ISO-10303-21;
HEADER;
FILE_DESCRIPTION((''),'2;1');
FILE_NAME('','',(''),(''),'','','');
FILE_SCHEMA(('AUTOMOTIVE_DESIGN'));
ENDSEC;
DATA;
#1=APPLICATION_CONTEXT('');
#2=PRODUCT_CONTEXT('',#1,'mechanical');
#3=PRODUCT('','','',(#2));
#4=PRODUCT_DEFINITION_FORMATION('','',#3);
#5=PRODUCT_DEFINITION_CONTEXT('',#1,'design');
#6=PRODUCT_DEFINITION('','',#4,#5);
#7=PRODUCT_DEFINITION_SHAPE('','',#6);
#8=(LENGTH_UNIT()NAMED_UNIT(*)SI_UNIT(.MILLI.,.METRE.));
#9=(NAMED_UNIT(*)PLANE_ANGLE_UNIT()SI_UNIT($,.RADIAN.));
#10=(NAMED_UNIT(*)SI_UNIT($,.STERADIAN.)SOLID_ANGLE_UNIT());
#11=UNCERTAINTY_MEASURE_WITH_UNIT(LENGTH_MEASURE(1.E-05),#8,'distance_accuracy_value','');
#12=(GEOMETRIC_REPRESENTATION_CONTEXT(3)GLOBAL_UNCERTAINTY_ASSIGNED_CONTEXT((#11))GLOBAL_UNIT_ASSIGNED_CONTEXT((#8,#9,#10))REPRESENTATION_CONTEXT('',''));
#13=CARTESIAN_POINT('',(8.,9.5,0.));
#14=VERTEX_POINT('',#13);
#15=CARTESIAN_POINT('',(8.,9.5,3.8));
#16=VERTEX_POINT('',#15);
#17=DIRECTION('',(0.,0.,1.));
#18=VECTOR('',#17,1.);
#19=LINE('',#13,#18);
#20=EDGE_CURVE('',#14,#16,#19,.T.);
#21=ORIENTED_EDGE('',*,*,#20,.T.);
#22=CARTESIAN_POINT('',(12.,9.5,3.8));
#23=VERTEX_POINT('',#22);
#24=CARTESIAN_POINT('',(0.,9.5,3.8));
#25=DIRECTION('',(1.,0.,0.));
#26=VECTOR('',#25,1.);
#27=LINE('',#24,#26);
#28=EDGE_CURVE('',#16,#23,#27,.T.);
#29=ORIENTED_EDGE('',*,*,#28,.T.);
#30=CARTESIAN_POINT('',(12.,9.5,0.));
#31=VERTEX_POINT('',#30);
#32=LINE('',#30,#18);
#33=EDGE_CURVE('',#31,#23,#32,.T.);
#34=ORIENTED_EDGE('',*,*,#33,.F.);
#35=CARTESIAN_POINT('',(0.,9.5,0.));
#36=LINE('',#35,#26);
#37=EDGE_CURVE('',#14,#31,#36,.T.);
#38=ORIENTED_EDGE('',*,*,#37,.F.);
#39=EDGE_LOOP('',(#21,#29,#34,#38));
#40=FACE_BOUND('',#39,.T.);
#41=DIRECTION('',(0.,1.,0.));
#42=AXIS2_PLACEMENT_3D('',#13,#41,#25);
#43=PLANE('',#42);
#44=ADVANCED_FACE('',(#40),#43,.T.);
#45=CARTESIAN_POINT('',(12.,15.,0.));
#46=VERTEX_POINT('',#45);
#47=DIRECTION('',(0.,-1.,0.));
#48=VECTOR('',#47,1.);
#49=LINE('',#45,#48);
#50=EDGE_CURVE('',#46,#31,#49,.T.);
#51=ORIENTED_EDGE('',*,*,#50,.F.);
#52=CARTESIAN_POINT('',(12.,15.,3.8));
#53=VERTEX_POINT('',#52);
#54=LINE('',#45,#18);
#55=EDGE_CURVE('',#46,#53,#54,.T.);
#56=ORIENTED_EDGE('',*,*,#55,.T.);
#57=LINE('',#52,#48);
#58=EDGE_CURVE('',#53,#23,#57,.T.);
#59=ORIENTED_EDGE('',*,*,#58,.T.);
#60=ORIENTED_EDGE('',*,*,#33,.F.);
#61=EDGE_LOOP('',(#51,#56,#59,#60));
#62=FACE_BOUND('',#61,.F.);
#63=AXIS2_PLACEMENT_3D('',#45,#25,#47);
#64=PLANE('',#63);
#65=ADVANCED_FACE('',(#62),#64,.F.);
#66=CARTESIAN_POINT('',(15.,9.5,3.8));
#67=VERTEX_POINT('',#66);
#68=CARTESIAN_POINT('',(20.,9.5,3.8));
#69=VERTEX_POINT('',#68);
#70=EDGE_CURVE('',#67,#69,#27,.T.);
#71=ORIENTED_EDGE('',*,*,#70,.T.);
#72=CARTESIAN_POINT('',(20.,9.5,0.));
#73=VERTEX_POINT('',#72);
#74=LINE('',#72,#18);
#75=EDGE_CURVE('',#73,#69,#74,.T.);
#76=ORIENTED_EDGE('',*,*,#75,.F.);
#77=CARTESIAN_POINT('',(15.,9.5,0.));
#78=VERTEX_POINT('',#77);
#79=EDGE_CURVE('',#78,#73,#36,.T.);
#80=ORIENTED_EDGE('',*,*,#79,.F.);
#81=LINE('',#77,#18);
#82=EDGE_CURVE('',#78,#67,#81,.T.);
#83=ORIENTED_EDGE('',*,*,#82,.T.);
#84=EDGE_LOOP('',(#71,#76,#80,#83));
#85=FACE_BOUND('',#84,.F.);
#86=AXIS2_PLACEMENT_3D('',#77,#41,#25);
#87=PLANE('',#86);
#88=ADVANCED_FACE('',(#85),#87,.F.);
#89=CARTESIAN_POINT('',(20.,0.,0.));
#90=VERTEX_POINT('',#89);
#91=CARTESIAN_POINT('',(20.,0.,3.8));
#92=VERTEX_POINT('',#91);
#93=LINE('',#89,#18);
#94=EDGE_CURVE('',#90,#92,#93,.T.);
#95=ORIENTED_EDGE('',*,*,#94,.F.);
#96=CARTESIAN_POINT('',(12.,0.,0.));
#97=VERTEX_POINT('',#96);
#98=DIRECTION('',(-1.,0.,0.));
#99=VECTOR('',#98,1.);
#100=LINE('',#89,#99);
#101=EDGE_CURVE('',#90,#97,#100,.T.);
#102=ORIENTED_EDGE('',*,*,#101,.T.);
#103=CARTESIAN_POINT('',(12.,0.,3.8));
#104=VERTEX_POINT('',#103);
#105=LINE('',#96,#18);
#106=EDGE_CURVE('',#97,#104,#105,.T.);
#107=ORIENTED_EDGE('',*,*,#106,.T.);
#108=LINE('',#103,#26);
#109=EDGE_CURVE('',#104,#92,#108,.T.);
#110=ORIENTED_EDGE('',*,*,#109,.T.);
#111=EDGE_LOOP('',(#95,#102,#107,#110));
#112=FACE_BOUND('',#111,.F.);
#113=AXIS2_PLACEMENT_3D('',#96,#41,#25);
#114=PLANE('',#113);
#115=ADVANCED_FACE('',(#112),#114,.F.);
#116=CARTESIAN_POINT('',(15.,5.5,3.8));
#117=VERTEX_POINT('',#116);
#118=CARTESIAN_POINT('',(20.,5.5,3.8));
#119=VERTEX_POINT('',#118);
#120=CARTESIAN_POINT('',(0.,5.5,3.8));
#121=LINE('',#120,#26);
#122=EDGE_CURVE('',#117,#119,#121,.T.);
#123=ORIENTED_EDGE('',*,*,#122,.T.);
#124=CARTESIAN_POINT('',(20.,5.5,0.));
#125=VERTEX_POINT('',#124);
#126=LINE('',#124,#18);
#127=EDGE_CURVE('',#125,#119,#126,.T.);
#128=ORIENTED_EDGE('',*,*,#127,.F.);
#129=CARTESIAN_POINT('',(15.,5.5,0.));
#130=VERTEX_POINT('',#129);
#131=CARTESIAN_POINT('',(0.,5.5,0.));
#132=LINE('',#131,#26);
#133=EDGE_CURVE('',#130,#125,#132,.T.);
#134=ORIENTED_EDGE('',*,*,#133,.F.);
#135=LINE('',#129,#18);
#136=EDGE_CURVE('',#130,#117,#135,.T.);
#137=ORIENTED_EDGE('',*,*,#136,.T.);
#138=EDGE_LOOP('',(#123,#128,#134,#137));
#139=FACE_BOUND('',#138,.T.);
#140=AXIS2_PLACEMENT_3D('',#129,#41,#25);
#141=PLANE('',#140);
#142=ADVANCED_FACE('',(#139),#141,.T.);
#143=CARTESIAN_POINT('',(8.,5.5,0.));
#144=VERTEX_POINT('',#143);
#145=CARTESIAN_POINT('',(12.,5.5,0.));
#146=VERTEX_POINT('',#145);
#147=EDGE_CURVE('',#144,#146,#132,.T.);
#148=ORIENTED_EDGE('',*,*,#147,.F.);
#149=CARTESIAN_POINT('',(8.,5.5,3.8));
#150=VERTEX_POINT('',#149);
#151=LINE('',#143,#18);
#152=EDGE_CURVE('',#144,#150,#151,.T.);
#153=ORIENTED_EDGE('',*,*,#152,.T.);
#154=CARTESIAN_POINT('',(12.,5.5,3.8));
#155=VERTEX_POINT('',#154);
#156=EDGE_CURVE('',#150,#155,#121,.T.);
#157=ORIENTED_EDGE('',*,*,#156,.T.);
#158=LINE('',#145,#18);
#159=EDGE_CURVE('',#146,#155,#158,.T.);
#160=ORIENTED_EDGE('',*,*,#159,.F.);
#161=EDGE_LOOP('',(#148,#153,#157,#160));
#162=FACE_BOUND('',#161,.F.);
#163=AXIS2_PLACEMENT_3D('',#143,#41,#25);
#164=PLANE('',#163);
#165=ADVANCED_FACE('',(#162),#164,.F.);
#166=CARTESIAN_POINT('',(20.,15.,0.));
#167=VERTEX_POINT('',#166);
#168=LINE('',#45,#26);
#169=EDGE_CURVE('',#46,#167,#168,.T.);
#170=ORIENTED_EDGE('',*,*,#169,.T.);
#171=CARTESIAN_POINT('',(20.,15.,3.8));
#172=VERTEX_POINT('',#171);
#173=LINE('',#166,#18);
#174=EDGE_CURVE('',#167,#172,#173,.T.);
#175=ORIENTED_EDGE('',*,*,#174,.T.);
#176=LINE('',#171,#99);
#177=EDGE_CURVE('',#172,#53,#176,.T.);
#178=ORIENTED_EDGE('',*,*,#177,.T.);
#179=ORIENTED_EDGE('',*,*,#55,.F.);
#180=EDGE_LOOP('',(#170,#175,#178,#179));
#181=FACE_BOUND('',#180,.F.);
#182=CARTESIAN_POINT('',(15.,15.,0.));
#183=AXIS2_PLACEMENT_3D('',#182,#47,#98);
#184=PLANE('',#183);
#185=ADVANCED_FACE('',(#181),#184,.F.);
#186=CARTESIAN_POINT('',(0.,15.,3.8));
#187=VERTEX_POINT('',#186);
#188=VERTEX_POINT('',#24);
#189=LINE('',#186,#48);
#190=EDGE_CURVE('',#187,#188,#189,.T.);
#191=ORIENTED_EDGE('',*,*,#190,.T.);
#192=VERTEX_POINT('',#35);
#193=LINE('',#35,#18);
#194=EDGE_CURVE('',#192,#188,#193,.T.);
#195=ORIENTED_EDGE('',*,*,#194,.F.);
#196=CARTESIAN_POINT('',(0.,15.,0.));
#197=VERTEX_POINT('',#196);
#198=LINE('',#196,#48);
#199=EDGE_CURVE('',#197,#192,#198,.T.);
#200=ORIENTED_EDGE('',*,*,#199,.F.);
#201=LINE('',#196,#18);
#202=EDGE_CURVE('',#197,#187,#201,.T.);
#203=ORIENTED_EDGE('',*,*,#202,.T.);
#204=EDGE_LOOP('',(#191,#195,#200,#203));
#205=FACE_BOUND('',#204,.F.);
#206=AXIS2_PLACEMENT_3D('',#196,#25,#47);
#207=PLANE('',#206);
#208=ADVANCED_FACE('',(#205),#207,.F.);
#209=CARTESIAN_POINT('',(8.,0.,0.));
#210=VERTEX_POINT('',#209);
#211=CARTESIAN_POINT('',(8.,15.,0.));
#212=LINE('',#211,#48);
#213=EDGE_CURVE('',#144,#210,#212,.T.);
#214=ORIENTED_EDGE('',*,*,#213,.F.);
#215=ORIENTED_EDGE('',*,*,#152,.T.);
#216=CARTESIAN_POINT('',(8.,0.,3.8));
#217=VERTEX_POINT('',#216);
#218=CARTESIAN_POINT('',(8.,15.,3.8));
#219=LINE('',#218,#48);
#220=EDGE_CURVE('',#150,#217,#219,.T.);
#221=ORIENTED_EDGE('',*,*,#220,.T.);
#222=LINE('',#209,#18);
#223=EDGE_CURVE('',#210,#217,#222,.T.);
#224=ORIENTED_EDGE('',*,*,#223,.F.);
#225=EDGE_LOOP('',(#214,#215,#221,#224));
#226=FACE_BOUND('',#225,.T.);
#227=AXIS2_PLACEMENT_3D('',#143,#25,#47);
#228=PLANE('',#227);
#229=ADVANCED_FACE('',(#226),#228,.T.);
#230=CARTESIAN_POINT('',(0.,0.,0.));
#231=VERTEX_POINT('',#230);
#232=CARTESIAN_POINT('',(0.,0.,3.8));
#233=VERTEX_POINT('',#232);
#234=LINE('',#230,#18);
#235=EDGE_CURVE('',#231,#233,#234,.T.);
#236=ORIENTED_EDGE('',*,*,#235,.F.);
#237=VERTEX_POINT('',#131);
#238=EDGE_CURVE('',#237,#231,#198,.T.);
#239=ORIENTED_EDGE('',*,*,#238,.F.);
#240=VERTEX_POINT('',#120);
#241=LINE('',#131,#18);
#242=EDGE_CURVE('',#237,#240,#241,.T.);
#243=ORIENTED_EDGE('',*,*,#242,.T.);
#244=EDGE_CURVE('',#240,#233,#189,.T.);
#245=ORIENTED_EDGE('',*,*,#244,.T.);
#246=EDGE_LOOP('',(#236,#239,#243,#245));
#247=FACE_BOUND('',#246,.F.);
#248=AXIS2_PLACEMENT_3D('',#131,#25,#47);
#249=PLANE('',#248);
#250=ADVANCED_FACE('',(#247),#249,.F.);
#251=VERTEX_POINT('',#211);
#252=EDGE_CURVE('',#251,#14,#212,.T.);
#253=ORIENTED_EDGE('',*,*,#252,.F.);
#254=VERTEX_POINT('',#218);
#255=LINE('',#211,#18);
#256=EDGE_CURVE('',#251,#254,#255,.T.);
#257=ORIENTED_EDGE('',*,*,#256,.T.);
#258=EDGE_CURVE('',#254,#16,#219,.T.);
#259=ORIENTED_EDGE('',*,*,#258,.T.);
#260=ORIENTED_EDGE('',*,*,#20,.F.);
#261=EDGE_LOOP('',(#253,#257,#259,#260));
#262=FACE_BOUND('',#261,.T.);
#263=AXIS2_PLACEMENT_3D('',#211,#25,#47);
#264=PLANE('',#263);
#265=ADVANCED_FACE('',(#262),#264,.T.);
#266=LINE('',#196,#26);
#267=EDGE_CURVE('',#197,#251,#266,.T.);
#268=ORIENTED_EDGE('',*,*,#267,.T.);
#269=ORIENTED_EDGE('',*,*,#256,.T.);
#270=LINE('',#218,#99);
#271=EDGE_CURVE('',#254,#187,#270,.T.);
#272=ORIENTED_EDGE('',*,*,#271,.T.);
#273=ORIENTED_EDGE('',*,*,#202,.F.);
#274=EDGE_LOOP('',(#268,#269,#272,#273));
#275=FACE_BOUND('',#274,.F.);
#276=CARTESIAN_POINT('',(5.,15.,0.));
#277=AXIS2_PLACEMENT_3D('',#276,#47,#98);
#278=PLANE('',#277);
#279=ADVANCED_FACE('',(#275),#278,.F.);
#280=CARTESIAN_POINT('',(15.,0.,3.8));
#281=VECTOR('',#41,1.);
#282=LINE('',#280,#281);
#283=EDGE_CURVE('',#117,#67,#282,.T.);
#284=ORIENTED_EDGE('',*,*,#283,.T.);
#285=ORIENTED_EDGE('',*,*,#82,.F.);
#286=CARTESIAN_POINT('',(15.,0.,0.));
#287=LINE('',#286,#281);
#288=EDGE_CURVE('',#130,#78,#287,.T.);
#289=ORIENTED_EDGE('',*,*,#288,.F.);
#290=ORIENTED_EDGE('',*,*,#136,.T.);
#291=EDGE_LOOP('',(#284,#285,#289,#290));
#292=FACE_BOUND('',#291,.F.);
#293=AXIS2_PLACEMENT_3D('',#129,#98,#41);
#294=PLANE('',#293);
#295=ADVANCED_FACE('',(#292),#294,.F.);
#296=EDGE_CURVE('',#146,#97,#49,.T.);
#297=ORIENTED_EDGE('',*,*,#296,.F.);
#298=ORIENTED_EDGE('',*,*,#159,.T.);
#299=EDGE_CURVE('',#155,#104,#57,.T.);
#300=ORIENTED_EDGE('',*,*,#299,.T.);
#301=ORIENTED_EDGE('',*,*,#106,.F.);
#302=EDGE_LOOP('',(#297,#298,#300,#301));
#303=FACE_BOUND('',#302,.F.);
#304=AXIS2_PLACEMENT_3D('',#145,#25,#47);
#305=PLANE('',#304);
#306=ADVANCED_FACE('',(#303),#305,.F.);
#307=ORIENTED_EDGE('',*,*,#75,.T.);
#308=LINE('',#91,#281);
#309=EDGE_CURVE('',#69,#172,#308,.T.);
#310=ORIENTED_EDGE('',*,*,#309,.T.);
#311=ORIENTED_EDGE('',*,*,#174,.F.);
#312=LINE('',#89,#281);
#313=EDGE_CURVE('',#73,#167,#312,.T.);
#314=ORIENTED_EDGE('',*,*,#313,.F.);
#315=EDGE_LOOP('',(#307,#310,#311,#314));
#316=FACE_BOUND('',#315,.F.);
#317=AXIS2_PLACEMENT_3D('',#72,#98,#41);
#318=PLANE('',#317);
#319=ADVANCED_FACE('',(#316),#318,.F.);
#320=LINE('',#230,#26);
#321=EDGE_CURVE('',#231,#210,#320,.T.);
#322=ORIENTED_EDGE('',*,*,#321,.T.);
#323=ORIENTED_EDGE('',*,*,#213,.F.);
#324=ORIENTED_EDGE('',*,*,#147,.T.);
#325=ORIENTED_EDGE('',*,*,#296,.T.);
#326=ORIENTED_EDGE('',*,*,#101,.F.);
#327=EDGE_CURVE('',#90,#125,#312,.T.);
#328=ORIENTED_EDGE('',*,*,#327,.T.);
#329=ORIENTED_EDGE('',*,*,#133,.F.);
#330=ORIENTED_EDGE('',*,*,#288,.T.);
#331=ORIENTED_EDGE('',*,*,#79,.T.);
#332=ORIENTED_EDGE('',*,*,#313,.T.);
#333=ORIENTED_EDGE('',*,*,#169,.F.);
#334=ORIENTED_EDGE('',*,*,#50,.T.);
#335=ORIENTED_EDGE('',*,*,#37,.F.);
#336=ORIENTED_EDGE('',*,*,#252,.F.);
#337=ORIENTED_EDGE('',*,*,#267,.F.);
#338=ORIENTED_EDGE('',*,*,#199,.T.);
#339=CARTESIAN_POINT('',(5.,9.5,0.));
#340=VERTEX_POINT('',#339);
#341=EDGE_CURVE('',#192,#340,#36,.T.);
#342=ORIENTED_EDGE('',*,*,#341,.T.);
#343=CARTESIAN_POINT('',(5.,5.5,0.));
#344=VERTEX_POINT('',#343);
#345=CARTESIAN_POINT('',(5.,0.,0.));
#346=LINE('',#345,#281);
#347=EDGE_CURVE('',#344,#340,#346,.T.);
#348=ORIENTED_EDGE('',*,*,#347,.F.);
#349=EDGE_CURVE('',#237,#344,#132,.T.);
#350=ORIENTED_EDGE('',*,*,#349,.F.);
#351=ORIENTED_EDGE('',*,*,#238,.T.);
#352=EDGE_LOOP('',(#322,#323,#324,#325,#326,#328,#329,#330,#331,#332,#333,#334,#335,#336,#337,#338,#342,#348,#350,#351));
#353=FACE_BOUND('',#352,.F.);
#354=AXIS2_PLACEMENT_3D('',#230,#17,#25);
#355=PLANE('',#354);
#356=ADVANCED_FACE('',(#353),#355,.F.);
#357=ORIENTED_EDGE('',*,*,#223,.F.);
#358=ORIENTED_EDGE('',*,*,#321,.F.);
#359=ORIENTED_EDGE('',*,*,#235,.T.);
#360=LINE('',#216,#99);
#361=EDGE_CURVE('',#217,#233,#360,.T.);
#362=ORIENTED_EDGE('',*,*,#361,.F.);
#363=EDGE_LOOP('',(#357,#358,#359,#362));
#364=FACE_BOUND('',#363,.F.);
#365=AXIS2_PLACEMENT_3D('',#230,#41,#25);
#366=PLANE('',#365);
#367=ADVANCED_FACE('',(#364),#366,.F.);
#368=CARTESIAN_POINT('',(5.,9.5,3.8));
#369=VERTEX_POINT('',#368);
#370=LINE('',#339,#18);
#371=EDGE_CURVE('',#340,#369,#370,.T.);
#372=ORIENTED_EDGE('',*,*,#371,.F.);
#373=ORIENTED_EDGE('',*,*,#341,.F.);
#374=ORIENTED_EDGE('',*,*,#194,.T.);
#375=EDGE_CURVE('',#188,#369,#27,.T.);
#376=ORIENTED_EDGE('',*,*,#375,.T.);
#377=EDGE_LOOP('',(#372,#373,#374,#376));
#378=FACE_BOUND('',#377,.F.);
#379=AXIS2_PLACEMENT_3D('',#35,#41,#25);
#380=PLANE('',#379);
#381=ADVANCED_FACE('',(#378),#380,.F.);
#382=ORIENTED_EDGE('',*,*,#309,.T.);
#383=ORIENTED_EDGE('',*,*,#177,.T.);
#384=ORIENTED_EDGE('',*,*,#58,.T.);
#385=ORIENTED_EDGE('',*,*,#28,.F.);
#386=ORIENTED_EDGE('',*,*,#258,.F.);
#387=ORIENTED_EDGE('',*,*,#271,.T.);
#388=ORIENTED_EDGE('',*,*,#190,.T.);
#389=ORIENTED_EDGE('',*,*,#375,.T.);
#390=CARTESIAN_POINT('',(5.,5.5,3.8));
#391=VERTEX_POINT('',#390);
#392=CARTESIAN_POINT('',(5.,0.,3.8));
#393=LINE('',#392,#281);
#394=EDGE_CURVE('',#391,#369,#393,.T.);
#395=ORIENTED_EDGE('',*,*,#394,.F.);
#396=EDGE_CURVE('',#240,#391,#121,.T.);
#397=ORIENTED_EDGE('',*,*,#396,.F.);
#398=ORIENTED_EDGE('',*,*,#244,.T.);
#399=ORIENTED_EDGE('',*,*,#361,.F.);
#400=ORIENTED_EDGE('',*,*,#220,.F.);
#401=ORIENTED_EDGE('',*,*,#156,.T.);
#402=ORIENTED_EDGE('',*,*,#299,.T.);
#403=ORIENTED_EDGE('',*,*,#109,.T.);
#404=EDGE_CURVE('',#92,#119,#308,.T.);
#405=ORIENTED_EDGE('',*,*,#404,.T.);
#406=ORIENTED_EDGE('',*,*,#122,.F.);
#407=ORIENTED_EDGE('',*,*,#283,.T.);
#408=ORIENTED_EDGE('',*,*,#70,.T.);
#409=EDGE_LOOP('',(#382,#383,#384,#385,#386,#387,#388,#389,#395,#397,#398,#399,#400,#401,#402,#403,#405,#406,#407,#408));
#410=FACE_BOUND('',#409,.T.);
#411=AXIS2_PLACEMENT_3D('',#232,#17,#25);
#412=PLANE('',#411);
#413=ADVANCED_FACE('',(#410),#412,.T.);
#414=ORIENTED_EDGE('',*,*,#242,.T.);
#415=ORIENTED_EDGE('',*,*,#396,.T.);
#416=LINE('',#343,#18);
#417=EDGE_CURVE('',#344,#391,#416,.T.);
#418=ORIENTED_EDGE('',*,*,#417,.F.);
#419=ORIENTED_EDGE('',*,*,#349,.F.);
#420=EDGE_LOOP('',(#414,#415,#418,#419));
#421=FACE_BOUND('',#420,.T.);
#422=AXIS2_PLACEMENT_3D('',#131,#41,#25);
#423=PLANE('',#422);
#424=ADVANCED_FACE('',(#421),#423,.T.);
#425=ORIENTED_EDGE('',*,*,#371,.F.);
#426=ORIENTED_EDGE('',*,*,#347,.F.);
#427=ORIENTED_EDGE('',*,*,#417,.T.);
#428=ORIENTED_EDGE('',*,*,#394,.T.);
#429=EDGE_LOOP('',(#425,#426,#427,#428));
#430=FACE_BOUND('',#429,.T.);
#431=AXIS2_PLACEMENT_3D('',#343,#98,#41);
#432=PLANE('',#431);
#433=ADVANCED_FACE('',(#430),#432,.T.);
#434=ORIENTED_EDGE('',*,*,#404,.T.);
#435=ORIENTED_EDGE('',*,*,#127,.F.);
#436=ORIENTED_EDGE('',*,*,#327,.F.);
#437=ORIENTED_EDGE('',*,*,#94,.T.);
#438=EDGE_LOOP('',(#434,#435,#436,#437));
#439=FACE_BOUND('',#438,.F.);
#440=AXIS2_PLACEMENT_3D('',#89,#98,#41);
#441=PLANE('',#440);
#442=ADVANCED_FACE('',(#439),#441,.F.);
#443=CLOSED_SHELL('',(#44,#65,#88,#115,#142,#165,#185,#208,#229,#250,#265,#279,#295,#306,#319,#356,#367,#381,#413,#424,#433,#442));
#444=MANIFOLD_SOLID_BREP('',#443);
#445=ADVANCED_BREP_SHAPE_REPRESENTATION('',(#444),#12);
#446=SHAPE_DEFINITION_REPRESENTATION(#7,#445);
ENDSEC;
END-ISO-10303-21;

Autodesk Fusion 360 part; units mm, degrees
sketch "Sketch1" plane through (0, 0, 0) normal (0, 0, 1) x (1, 0, 0)
  line L0 (0, 0) -> (20, 0)
  line L1 (20, 0) -> (20, 15)
  line L2 (20, 15) -> (0, 15)
  line L3 (0, 15) -> (0, 0)
  line L4 (15, 0) -> (15, 15)
  line L5 (5, 0) -> (5, 15)
  line L6 (0, 7.5) -> (20, 7.5) construction
  line L7 (0, 5.5) -> (20, 5.5)
  line L8 (0, 9.5) -> (20, 9.5)
  line L9 (10, 15) -> (10, 0) construction
  line L10 (8, 15) -> (8, 0)
  line L11 (12, 15) -> (12, 0)
  dimension "d1" = 2
  dimension "d2" = 2
extrude "Extrude1" add sketch "Sketch1" along normal blind 3.8 contours L0 L3 L5 L7 | L0 L5 L7 L10 | L5 L7 L8 L10 | L2 L3 L5 L8 | L0 L4 L7 L11 | L7 L8 L10 L11 | L2 L5 L8 L10 | L0 L1 L4 L7 | L4 L7 L8 L11 | L2 L4 L8 L11 | L1 L2 L4 L8
sketch "Sketch2" plane through (0, 0, 3.8) normal (0, 0, 1) x (-1, 0, 0)
  line L0 (-15, -5.5) -> (-15, -9.5)
  line L1 (-15, -9.5) -> (-20, -9.5)
  line L2 (-20, -9.5) -> (-20, -15)
  line L3 (-20, -15) -> (-12, -15)
  line L4 (-12, -15) -> (-12, -9.5)
  line L5 (-12, -9.5) -> (-8, -9.5)
  line L6 (-8, -9.5) -> (-8, -15)
  line L7 (-8, -15) -> (0, -15)
  line L8 (0, -15) -> (0, -9.5)
  line L9 (0, -9.5) -> (-5, -9.5)
  line L10 (-5, -9.5) -> (-5, -5.5)
  line L11 (-5, -5.5) -> (0, -5.5)
  line L12 (0, -5.5) -> (0, 0)
  line L13 (0, 0) -> (-8, 0)
  line L14 (-8, 0) -> (-8, -5.5)
  line L15 (-8, -5.5) -> (-12, -5.5)
  line L16 (-12, -5.5) -> (-12, 0)
  line L17 (-12, 0) -> (-20, 0)
  line L18 (-20, 0) -> (-20, -5.5)
  line L19 (-20, -5.5) -> (-15, -5.5)
